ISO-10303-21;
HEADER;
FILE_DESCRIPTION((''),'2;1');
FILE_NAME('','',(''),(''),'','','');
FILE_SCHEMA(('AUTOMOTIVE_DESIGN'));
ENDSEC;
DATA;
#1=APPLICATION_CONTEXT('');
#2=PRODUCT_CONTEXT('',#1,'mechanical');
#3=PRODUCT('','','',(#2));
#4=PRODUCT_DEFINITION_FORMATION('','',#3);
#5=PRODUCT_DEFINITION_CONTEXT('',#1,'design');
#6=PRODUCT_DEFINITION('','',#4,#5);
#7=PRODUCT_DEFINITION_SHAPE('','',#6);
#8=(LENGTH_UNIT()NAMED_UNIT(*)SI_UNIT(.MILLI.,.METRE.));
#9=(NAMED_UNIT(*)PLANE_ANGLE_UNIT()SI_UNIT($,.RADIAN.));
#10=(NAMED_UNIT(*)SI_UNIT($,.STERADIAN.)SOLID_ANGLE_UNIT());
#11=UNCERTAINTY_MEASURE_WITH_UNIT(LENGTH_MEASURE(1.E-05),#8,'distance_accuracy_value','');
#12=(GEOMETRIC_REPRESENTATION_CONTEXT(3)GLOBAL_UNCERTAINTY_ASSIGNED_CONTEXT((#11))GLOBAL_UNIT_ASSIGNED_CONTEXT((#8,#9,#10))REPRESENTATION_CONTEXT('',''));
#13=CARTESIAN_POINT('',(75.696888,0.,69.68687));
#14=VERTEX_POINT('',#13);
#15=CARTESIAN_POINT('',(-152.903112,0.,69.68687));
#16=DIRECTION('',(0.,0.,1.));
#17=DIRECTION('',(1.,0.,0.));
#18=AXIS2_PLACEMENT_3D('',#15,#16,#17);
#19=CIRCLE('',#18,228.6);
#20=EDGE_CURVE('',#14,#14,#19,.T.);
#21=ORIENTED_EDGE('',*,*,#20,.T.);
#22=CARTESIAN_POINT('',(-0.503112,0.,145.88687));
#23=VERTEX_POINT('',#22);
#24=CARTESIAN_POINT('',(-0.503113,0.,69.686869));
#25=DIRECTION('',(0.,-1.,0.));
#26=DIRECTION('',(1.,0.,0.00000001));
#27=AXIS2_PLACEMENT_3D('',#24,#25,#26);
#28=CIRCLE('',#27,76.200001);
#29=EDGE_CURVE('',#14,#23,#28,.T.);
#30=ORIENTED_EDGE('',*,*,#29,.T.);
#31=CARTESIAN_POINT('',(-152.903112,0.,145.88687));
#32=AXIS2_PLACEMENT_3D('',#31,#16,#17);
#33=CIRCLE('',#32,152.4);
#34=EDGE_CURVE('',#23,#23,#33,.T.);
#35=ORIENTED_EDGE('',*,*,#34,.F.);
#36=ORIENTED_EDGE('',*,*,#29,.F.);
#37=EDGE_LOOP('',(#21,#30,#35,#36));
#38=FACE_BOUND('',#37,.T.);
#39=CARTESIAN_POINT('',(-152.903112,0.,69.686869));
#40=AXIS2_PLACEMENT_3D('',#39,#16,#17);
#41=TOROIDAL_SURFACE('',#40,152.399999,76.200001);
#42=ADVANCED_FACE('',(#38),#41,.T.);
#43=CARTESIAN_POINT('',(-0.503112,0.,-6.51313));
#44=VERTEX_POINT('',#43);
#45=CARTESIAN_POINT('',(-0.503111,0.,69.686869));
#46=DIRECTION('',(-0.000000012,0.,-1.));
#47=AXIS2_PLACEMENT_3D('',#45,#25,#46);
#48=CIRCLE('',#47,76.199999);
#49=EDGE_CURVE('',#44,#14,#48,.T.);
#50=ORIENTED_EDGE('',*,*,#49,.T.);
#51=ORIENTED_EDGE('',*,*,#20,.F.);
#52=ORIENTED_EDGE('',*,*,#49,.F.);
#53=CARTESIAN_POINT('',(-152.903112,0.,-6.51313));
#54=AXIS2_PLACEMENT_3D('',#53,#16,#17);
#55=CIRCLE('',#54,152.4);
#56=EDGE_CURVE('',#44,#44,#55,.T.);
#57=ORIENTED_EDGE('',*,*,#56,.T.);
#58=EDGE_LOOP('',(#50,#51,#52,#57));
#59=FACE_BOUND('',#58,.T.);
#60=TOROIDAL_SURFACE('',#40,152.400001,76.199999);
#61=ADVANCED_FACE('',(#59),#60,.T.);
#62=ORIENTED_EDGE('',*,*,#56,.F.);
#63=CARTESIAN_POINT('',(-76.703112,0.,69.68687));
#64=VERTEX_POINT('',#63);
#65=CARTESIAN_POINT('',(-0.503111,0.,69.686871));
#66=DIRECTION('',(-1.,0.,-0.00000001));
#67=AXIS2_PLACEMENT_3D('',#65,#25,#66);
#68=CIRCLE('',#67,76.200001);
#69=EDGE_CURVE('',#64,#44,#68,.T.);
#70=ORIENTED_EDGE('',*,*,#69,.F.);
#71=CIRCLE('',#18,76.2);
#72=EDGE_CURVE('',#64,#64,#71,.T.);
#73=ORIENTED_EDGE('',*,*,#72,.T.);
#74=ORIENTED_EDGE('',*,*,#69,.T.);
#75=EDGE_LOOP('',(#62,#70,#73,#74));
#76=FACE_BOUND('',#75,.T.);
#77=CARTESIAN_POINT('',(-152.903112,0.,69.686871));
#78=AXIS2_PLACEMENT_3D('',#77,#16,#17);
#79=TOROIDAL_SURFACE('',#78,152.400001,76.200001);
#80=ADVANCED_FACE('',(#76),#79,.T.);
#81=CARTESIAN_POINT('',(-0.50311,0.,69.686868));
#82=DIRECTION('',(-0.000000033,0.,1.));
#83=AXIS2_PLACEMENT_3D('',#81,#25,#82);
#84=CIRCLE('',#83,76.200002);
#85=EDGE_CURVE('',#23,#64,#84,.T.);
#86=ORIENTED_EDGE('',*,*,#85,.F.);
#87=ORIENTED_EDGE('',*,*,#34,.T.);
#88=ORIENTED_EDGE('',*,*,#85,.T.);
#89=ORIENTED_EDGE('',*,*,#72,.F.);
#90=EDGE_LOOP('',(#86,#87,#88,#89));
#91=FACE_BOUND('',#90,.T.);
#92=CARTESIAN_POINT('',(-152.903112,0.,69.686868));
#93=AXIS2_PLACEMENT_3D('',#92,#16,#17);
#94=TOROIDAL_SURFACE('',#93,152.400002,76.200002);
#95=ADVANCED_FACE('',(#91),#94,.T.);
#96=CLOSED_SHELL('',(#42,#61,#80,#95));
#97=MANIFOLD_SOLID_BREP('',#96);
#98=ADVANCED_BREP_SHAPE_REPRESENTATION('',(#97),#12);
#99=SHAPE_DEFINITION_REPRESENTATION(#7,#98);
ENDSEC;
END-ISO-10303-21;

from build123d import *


with BuildPart() as f1:
    # F0 (on Front) → F1 (revolve)
    with BuildSketch(Plane.XZ):
        with BuildLine():
            ThreePointArc((75.696888, 69.68687), (53.378425, 123.568406), (-0.503112, 145.88687))
            ThreePointArc((-0.503112, 145.88687), (-54.384648, 123.568406), (-76.703112, 69.68687))
            ThreePointArc((-76.703112, 69.68687), (-54.384648, 15.805333), (-0.503112, -6.51313))
            ThreePointArc((-0.503112, -6.51313), (53.378425, 15.805333), (75.696888, 69.68687))
        make_face()
    revolve(axis=Axis((-152.903112, 0, 83.688465), (0, 0, 1)))


solid = f1.part
